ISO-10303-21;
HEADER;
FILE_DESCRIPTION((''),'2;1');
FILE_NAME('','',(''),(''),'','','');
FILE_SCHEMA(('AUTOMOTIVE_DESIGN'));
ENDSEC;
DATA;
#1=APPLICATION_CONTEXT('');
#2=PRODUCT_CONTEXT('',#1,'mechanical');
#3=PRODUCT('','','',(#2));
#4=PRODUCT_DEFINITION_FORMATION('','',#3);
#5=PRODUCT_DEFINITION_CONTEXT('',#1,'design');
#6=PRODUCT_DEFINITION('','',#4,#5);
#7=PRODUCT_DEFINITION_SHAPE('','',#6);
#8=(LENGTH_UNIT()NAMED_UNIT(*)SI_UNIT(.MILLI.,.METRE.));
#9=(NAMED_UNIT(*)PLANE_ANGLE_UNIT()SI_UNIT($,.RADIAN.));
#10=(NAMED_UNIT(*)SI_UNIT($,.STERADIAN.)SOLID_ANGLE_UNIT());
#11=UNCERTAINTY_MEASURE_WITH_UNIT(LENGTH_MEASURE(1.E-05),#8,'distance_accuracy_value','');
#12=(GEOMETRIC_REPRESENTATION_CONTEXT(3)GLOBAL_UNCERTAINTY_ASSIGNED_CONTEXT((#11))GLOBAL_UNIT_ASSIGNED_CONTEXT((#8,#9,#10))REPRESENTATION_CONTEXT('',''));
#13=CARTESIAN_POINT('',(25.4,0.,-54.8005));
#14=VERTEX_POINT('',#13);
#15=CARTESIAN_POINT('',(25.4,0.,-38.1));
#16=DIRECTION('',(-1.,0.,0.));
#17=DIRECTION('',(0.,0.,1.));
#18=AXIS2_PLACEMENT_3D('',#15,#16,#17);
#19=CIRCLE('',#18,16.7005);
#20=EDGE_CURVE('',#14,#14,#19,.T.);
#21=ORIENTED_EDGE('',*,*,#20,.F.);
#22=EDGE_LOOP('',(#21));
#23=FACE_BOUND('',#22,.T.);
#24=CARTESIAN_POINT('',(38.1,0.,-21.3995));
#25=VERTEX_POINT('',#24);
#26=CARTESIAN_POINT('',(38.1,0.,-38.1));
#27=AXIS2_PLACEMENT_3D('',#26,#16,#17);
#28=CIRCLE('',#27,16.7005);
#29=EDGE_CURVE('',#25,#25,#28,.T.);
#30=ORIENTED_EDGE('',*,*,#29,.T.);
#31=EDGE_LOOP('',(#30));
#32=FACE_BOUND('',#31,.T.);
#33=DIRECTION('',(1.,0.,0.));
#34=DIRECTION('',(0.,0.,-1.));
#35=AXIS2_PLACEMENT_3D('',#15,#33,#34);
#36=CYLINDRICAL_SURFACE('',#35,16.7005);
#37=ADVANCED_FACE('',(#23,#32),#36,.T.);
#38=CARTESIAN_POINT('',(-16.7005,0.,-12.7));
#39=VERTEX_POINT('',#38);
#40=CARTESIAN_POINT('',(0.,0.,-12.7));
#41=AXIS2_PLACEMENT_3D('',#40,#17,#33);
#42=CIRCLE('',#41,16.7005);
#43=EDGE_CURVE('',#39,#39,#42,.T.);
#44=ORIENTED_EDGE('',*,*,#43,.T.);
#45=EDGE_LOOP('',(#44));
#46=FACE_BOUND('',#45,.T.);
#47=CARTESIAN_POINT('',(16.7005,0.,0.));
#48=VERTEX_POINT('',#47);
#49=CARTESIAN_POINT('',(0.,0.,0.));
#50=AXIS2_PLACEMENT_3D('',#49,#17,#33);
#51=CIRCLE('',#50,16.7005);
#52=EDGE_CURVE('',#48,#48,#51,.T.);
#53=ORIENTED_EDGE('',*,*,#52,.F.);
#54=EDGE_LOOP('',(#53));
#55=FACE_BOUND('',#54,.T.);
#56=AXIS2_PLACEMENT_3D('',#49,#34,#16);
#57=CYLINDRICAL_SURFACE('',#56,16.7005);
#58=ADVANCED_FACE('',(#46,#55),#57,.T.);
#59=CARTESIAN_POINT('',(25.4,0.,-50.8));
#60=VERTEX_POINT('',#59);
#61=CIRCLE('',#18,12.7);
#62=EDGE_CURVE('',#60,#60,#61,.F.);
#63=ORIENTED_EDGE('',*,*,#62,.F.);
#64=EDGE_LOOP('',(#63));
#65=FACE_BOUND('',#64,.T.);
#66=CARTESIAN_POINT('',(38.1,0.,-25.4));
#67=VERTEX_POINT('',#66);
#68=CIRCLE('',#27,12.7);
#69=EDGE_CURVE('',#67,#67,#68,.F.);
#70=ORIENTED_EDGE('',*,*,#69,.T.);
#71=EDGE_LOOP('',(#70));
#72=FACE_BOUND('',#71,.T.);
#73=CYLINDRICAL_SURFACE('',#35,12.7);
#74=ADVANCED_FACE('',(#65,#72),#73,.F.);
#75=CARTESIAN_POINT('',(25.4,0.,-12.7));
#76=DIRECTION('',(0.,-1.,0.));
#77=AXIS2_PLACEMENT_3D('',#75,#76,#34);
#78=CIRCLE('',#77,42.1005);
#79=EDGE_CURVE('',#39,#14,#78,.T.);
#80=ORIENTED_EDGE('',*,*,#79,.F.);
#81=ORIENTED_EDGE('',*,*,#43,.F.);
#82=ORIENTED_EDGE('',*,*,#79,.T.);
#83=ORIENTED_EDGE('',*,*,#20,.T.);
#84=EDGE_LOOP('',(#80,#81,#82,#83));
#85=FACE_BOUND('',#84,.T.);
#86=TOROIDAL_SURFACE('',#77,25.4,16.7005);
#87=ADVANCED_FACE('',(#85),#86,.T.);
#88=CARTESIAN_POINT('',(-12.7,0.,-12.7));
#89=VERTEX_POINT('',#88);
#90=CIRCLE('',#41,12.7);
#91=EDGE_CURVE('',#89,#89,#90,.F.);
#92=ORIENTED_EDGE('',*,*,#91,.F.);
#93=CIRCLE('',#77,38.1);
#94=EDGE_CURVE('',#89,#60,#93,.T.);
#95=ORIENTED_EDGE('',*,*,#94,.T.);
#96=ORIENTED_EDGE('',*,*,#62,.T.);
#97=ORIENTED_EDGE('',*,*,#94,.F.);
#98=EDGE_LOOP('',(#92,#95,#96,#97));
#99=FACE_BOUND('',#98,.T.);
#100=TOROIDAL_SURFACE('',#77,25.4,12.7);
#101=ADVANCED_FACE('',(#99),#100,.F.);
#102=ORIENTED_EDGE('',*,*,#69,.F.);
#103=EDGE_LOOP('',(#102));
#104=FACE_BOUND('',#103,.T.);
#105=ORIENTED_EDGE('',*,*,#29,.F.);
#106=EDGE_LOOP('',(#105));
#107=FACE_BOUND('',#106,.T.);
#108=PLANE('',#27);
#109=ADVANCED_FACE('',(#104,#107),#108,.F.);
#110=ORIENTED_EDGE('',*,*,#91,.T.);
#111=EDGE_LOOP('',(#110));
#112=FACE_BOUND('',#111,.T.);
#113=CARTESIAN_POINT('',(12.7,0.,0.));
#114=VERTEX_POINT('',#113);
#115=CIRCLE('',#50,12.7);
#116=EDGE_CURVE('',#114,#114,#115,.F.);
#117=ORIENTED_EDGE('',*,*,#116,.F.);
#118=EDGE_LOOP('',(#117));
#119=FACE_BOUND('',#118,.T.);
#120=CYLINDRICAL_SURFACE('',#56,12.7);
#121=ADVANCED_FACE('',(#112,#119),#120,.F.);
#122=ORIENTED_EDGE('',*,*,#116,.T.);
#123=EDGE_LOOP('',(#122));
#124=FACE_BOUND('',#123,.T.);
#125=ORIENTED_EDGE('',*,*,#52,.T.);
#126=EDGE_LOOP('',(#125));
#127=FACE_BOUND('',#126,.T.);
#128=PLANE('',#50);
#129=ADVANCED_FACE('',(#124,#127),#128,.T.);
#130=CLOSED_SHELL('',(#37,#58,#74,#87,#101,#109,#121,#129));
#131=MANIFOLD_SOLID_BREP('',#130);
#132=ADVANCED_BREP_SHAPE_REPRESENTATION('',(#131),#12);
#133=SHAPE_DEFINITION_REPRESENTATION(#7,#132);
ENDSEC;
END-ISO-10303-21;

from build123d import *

# Parameters (mm, degrees)
SKETCH1_R   = 16.7005
SKETCH1_R_2 = 12.7


with BuildPart() as part:
    # Sweep1: sweep along a path in Sketch2
    with BuildLine(Plane(origin=(0, 0, 0), x_dir=(1, 0, 0), z_dir=(0, 1, 0))) as sweep1_path:
        Line((0, 0), (0, 12.7))
        ThreePointArc((0, 12.7), (7.439487758, 30.660512242), (25.4, 38.1))
        Line((25.4, 38.1), (38.1, 38.1))
    # Sketch1 → Sweep1 (sweep)
    with BuildSketch(Plane.XY):
        Circle(SKETCH1_R)
        Circle(SKETCH1_R_2, mode=Mode.SUBTRACT)
    sweep(path=sweep1_path.line)


solid = part.part
